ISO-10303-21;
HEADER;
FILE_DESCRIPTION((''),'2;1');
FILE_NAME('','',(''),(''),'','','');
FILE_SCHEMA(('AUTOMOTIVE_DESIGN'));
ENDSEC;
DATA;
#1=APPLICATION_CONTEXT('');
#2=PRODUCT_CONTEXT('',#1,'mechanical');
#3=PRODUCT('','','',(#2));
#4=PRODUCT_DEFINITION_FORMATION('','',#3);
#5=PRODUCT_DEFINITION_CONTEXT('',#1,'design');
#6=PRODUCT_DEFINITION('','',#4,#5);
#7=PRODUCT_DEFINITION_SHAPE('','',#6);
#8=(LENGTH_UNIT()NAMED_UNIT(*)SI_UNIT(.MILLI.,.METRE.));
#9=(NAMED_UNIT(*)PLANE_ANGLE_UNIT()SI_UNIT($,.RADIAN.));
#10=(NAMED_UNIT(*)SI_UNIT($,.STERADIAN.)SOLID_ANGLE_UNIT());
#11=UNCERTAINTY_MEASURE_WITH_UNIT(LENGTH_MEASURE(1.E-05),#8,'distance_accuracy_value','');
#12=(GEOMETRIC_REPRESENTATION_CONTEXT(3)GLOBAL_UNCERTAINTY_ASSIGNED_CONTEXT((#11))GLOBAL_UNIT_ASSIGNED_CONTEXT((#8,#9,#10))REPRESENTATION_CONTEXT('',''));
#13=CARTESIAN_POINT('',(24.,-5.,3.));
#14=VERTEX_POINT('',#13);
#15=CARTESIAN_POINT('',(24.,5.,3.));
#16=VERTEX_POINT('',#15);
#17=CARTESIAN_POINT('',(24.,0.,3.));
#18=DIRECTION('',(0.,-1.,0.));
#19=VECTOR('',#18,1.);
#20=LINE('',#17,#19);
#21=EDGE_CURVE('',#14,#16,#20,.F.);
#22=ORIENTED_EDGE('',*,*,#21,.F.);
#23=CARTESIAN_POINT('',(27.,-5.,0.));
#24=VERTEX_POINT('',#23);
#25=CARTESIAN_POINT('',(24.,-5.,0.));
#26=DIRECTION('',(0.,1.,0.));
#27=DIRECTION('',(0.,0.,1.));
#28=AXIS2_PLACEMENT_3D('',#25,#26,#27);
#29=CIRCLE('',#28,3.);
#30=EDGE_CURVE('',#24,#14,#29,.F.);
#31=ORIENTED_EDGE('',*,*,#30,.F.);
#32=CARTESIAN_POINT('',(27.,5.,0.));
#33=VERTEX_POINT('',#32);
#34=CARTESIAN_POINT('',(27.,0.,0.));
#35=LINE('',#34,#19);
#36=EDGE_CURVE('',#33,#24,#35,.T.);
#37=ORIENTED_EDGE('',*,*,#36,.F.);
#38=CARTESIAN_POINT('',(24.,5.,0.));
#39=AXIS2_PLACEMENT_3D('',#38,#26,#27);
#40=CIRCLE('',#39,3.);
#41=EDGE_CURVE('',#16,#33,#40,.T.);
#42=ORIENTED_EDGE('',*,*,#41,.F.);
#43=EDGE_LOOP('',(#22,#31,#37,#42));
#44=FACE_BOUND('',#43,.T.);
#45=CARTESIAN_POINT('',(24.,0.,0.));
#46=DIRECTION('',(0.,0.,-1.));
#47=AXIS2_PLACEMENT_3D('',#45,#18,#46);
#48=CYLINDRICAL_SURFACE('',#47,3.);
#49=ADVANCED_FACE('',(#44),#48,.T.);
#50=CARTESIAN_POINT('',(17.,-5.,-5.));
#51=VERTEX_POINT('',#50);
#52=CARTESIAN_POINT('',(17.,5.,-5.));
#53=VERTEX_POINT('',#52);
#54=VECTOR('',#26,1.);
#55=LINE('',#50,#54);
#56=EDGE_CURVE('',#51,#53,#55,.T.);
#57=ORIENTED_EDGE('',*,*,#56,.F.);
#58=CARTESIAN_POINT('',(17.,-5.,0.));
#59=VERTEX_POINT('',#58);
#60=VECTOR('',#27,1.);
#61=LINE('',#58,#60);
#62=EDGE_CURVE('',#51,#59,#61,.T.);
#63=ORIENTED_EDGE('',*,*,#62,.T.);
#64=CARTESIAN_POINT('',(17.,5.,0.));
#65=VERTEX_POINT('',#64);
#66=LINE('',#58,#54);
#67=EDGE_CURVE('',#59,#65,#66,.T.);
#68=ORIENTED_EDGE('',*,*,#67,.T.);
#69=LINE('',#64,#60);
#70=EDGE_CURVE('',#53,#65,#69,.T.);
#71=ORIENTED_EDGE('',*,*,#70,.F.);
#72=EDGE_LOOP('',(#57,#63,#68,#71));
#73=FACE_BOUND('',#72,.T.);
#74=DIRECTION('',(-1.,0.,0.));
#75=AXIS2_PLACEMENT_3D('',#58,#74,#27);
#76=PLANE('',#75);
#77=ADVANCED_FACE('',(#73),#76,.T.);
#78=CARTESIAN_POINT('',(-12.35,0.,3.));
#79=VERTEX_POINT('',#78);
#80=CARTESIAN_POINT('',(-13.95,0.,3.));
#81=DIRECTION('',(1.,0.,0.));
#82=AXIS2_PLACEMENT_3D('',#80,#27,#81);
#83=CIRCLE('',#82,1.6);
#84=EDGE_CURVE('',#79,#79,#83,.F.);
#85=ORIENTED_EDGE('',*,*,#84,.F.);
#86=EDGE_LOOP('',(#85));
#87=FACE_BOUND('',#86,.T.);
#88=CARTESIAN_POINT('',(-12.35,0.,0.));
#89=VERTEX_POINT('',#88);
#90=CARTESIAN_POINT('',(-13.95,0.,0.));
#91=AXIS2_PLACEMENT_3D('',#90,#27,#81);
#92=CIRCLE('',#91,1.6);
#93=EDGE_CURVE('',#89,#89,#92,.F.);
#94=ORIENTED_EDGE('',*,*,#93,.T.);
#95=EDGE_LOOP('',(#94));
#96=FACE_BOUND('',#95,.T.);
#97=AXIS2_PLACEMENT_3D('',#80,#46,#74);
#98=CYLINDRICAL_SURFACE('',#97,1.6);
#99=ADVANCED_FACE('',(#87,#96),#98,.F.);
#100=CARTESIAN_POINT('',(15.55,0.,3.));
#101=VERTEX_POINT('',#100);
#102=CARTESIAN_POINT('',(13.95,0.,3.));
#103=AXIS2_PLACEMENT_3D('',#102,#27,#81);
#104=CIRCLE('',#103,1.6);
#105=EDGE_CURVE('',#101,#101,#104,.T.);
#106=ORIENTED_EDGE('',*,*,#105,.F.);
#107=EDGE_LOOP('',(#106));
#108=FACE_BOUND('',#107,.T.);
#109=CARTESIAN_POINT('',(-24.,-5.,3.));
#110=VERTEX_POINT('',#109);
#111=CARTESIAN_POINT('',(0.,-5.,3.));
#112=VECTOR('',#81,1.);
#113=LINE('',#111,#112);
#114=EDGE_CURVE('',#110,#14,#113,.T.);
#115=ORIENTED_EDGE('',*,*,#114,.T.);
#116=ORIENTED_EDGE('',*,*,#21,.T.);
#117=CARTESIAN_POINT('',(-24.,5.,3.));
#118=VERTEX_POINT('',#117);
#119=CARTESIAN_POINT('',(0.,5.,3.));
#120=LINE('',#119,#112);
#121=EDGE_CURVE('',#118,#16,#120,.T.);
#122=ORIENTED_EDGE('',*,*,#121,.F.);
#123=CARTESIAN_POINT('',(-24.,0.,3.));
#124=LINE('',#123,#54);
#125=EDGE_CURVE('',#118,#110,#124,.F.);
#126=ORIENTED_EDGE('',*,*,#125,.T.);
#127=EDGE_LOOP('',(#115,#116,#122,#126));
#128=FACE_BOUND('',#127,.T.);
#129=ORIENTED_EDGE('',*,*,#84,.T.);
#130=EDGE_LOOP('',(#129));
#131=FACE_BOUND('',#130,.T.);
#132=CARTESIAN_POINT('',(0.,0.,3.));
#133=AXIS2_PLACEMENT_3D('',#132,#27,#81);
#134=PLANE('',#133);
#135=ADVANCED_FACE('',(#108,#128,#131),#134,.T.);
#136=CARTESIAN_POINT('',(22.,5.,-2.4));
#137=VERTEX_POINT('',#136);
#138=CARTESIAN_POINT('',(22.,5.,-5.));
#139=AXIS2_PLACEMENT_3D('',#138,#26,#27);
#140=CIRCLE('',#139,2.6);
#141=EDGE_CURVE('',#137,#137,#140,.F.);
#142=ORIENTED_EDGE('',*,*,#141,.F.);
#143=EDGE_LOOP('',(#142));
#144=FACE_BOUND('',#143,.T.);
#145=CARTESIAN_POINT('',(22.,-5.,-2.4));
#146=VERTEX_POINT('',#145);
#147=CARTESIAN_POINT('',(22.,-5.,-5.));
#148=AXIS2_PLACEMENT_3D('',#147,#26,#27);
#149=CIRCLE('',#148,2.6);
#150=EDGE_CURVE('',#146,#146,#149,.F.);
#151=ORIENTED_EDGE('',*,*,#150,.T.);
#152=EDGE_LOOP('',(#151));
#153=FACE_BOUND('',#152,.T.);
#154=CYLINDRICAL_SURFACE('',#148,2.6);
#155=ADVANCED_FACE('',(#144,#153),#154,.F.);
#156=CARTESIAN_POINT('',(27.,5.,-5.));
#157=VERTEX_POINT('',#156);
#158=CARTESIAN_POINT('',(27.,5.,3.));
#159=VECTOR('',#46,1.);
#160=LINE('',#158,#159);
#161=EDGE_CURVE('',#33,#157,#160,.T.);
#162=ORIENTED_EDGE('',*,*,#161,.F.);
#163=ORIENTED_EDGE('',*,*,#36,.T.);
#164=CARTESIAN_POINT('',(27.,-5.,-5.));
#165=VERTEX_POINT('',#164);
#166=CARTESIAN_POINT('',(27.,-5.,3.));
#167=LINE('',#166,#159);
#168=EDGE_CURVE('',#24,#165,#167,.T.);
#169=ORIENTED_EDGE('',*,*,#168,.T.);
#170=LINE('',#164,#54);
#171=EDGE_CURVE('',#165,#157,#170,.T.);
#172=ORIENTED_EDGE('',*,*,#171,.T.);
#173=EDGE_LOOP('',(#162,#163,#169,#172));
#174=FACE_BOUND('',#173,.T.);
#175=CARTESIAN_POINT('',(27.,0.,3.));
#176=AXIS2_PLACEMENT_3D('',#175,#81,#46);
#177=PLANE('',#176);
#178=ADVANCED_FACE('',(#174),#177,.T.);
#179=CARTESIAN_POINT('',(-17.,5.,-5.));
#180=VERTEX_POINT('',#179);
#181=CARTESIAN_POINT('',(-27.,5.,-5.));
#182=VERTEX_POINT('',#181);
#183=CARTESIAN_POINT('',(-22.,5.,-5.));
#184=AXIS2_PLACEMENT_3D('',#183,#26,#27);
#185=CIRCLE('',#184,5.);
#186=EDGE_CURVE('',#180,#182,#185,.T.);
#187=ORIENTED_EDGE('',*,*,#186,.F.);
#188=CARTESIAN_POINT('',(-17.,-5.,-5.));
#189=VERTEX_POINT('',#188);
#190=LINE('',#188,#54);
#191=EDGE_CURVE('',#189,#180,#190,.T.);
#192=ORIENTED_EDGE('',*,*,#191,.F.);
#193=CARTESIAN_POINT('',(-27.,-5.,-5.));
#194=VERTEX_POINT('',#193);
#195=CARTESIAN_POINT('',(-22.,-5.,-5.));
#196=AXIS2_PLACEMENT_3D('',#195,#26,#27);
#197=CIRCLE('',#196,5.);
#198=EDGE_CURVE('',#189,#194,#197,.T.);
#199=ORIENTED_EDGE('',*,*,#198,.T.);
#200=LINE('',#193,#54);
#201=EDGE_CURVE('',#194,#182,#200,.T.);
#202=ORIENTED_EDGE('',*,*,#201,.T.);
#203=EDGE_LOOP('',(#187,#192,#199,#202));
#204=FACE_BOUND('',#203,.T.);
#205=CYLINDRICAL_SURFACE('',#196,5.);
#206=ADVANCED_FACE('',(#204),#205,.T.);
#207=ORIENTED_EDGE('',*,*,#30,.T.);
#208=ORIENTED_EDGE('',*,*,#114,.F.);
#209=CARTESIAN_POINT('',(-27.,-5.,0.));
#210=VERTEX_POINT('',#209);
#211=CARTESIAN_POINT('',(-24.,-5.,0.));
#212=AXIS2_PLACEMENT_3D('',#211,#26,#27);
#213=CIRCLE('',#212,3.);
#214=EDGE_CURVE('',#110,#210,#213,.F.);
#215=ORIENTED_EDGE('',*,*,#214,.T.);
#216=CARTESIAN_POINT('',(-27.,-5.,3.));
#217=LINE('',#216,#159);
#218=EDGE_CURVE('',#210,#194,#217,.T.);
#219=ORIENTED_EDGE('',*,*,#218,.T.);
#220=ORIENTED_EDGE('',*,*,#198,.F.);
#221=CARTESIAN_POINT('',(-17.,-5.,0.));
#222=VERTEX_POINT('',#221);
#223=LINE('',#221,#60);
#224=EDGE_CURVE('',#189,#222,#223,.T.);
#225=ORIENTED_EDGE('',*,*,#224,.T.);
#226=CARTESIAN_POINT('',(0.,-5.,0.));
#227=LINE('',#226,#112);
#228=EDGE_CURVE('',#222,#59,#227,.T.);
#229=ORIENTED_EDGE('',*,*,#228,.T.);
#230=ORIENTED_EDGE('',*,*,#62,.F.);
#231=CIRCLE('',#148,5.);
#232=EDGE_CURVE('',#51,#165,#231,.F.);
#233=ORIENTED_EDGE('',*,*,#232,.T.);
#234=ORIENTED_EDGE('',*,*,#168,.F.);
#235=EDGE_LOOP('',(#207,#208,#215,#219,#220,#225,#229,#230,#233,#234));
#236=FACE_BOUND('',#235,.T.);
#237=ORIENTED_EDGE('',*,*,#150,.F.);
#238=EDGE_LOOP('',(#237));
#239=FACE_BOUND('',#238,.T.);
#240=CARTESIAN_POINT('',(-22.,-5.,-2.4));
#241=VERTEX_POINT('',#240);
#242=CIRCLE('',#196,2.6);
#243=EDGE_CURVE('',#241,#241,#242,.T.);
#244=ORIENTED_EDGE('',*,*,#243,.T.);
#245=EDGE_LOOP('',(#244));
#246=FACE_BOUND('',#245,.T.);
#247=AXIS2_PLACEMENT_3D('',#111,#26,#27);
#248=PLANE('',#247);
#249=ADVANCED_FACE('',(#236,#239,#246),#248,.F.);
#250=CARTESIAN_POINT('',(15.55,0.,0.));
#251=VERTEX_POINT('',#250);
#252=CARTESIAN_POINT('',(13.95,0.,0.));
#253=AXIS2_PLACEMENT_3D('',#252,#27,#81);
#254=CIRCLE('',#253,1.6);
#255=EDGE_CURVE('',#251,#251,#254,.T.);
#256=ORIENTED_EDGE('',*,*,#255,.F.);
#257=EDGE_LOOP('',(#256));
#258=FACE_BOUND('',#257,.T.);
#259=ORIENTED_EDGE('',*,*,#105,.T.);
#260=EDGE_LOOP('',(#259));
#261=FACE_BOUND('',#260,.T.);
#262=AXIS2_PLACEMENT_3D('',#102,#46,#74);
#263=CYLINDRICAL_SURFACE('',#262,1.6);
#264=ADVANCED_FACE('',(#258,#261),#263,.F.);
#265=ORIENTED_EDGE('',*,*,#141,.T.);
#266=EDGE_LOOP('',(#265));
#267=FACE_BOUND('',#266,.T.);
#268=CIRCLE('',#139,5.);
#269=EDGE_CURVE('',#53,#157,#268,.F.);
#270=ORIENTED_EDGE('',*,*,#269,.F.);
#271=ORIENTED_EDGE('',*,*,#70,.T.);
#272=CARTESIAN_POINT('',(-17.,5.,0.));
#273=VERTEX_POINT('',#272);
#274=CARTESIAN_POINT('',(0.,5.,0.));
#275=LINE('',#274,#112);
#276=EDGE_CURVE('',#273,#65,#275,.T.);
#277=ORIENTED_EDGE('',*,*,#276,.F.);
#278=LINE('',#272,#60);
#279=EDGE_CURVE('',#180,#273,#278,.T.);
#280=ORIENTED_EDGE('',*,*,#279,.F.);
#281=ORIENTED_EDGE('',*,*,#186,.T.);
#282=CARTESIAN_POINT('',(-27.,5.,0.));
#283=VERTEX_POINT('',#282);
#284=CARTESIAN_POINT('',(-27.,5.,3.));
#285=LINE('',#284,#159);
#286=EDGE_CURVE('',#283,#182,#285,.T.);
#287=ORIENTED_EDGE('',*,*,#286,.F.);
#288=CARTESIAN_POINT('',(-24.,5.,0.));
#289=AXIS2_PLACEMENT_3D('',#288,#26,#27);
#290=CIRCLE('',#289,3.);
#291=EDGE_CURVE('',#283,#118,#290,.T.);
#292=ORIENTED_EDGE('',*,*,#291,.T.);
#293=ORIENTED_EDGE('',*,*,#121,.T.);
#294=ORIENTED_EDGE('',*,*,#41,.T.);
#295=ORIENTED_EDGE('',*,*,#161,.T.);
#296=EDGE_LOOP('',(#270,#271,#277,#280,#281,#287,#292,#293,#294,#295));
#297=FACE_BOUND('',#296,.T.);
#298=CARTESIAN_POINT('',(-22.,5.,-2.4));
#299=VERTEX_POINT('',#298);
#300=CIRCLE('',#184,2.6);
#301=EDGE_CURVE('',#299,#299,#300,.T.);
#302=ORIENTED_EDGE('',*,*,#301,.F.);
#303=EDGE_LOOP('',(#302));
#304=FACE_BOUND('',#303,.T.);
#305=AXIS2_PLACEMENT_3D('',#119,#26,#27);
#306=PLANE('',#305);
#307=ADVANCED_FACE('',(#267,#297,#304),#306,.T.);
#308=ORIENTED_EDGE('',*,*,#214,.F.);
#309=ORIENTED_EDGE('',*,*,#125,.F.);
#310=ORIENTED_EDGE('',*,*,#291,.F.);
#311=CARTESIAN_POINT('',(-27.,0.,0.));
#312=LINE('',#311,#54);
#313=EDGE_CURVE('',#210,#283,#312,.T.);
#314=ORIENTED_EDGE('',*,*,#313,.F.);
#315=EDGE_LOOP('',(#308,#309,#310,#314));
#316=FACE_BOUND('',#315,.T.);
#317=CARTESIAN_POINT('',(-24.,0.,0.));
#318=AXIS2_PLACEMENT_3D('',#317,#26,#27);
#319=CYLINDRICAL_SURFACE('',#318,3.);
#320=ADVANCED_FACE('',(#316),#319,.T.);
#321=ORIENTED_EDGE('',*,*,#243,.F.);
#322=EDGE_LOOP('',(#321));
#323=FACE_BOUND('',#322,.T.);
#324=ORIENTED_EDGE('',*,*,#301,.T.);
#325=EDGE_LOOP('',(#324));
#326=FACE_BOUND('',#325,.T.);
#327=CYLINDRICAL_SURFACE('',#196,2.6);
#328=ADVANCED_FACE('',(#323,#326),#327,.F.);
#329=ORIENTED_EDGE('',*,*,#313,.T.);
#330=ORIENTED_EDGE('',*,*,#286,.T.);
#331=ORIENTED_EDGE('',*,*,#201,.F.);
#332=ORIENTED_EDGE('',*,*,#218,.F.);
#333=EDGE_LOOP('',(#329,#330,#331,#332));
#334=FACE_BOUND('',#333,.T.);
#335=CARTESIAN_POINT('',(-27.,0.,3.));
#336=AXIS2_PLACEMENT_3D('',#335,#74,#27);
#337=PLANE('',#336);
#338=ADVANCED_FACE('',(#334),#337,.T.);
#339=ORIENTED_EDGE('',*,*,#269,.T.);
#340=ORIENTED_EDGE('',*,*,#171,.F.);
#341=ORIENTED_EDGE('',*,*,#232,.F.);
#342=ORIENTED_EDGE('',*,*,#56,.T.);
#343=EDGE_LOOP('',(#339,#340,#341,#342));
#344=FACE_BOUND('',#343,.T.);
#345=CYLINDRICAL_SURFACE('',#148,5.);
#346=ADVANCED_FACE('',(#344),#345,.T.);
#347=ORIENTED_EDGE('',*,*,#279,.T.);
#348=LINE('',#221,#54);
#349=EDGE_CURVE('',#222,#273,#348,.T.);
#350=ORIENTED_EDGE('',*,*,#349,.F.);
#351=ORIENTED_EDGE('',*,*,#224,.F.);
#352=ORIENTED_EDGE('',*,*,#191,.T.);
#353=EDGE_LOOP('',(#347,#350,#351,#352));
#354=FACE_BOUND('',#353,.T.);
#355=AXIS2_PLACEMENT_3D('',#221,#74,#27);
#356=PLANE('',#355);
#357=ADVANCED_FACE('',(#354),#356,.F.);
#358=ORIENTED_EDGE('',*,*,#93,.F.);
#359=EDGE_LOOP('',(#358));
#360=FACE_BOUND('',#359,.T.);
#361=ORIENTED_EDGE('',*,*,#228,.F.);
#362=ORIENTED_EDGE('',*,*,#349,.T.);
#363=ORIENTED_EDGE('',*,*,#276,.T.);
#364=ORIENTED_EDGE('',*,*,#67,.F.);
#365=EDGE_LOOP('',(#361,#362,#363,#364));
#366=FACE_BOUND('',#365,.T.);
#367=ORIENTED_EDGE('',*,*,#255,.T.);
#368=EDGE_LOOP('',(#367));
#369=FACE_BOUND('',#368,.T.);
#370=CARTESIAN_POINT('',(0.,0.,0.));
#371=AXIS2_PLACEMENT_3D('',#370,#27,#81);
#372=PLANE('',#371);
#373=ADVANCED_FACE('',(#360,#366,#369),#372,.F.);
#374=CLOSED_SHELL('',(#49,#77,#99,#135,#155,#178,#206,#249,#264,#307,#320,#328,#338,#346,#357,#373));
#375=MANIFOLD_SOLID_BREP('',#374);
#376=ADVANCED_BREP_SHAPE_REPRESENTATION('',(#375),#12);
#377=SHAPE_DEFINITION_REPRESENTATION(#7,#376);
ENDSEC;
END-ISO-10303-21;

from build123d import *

# Parameters (mm, degrees)
EXTRUDE_1_DEPTH = 3
SKETCH_2_R      = 5
SKETCH_2_R_2    = 2.6
EXTRUDE_2_DEPTH = 10
FILLET_1_R      = 3


with BuildPart() as part:
    # 草图1 → 凸台-拉伸1 (new body)
    with BuildSketch(Plane.XY):
        with BuildLine():
            Line((0, 5), (-13.95, 5))
            Line((-13.95, 5), (-13.95, 1.6))
            ThreePointArc((-13.95, 1.6), (-12.81862915, 1.13137085), (-12.35, 0))
            Line((-12.35, 0), (0, 0))
            Line((0, 0), (0, 5))
        make_face()
        with BuildLine():
            Line((-27, 5), (-27, 0))
            Line((-27, 0), (-17, 0))
            Line((-17, 0), (-15.55, 0))
            ThreePointArc((-15.55, 0), (-15.08137085, 1.13137085), (-13.95, 1.6))
            Line((-13.95, 1.6), (-13.95, 5))
            Line((-13.95, 5), (-27, 5))
        make_face()
        with BuildLine():
            Line((-17, 0), (-27, 0))
            Line((-27, 0), (-27, -5))
            Line((-27, -5), (27, -5))
            Line((27, -5), (27, 0))
            Line((27, 0), (17, 0))
            Line((17, 0), (15.55, 0))
            ThreePointArc((15.55, 0), (13.95, -1.6), (12.35, 0))
            Line((12.35, 0), (0, 0))
            Line((0, 0), (-12.35, 0))
            ThreePointArc((-12.35, 0), (-13.95, -1.6), (-15.55, 0))
            Line((-15.55, 0), (-17, 0))
        make_face()
        with BuildLine():
            Line((17, 0), (27, 0))
            Line((27, 0), (27, 5))
            Line((27, 5), (0, 5))
            Line((0, 5), (0, 0))
            Line((0, 0), (12.35, 0))
            ThreePointArc((12.35, 0), (13.95, 1.6), (15.55, 0))
            Line((15.55, 0), (17, 0))
        make_face()
    extrude(amount=EXTRUDE_1_DEPTH)

    # 草图2 → 凸台-拉伸2 (add, through all)
    # profile 1 of 6: a face of its own
    with BuildSketch(Plane(origin=(0, 5, 0), x_dir=(1, 0, 0), z_dir=(0, 1, 0))):
        with Locations((-22, 5)):
            Circle(SKETCH_2_R)
        with Locations(Location((-22, 5, 0), (0, 0, 270))):
            Circle(SKETCH_2_R_2, mode=Mode.SUBTRACT)
    # profile 2 of 6: a face of its own
    with BuildSketch(Plane(origin=(0, 5, 0), x_dir=(1, 0, 0), z_dir=(0, 1, 0))):
        with BuildLine():
            Line((-17, 0), (-17, 5))
            ThreePointArc((-17, 5), (-18.464466102, 1.464466086), (-22.000000023, 0))
            Line((-22.000000023, 0), (-17, 0))
        make_face()
    # profile 3 of 6: a face of its own
    with BuildSketch(Plane(origin=(0, 5, 0), x_dir=(1, 0, 0), z_dir=(0, 1, 0))):
        with BuildLine():
            ThreePointArc((-22.000000023, 0), (-25.535533914, 1.464466102), (-27, 5))
            Line((-27, 5), (-27, 0))
            Line((-27, 0), (-22.000000023, 0))
        make_face()
    # profile 4 of 6: a face of its own
    with BuildSketch(Plane(origin=(0, 5, 0), x_dir=(1, 0, 0), z_dir=(0, 1, 0))):
        with BuildLine():
            Line((17, 5), (17, 0))
            Line((17, 0), (22, 0))
            ThreePointArc((22, 0), (18.464466094, 1.464466094), (17, 5))
        make_face()
    # profile 5 of 6: a face of its own
    with BuildSketch(Plane(origin=(0, 5, 0), x_dir=(1, 0, 0), z_dir=(0, 1, 0))):
        with Locations((22, 5)):
            Circle(SKETCH_2_R)
        with Locations(Location((22, 5, 0), (0, 0, 270))):
            Circle(SKETCH_2_R_2, mode=Mode.SUBTRACT)
    # profile 6 of 6: a face of its own
    with BuildSketch(Plane(origin=(0, 5, 0), x_dir=(1, 0, 0), z_dir=(0, 1, 0))):
        with BuildLine():
            ThreePointArc((27, 5), (25.535533906, 1.464466094), (22, 0))
            Line((22, 0), (27, 0))
            Line((27, 0), (27, 5))
        make_face()
    extrude(amount=-EXTRUDE_2_DEPTH)

    # 圆角1
    fillet_1_edges = [part.edges().sort_by_distance(p)[0] for p in [
        (27, 0, 3),
        (-27, 0, 3),
    ]]
    fillet(fillet_1_edges, radius=FILLET_1_R)


solid = part.part
